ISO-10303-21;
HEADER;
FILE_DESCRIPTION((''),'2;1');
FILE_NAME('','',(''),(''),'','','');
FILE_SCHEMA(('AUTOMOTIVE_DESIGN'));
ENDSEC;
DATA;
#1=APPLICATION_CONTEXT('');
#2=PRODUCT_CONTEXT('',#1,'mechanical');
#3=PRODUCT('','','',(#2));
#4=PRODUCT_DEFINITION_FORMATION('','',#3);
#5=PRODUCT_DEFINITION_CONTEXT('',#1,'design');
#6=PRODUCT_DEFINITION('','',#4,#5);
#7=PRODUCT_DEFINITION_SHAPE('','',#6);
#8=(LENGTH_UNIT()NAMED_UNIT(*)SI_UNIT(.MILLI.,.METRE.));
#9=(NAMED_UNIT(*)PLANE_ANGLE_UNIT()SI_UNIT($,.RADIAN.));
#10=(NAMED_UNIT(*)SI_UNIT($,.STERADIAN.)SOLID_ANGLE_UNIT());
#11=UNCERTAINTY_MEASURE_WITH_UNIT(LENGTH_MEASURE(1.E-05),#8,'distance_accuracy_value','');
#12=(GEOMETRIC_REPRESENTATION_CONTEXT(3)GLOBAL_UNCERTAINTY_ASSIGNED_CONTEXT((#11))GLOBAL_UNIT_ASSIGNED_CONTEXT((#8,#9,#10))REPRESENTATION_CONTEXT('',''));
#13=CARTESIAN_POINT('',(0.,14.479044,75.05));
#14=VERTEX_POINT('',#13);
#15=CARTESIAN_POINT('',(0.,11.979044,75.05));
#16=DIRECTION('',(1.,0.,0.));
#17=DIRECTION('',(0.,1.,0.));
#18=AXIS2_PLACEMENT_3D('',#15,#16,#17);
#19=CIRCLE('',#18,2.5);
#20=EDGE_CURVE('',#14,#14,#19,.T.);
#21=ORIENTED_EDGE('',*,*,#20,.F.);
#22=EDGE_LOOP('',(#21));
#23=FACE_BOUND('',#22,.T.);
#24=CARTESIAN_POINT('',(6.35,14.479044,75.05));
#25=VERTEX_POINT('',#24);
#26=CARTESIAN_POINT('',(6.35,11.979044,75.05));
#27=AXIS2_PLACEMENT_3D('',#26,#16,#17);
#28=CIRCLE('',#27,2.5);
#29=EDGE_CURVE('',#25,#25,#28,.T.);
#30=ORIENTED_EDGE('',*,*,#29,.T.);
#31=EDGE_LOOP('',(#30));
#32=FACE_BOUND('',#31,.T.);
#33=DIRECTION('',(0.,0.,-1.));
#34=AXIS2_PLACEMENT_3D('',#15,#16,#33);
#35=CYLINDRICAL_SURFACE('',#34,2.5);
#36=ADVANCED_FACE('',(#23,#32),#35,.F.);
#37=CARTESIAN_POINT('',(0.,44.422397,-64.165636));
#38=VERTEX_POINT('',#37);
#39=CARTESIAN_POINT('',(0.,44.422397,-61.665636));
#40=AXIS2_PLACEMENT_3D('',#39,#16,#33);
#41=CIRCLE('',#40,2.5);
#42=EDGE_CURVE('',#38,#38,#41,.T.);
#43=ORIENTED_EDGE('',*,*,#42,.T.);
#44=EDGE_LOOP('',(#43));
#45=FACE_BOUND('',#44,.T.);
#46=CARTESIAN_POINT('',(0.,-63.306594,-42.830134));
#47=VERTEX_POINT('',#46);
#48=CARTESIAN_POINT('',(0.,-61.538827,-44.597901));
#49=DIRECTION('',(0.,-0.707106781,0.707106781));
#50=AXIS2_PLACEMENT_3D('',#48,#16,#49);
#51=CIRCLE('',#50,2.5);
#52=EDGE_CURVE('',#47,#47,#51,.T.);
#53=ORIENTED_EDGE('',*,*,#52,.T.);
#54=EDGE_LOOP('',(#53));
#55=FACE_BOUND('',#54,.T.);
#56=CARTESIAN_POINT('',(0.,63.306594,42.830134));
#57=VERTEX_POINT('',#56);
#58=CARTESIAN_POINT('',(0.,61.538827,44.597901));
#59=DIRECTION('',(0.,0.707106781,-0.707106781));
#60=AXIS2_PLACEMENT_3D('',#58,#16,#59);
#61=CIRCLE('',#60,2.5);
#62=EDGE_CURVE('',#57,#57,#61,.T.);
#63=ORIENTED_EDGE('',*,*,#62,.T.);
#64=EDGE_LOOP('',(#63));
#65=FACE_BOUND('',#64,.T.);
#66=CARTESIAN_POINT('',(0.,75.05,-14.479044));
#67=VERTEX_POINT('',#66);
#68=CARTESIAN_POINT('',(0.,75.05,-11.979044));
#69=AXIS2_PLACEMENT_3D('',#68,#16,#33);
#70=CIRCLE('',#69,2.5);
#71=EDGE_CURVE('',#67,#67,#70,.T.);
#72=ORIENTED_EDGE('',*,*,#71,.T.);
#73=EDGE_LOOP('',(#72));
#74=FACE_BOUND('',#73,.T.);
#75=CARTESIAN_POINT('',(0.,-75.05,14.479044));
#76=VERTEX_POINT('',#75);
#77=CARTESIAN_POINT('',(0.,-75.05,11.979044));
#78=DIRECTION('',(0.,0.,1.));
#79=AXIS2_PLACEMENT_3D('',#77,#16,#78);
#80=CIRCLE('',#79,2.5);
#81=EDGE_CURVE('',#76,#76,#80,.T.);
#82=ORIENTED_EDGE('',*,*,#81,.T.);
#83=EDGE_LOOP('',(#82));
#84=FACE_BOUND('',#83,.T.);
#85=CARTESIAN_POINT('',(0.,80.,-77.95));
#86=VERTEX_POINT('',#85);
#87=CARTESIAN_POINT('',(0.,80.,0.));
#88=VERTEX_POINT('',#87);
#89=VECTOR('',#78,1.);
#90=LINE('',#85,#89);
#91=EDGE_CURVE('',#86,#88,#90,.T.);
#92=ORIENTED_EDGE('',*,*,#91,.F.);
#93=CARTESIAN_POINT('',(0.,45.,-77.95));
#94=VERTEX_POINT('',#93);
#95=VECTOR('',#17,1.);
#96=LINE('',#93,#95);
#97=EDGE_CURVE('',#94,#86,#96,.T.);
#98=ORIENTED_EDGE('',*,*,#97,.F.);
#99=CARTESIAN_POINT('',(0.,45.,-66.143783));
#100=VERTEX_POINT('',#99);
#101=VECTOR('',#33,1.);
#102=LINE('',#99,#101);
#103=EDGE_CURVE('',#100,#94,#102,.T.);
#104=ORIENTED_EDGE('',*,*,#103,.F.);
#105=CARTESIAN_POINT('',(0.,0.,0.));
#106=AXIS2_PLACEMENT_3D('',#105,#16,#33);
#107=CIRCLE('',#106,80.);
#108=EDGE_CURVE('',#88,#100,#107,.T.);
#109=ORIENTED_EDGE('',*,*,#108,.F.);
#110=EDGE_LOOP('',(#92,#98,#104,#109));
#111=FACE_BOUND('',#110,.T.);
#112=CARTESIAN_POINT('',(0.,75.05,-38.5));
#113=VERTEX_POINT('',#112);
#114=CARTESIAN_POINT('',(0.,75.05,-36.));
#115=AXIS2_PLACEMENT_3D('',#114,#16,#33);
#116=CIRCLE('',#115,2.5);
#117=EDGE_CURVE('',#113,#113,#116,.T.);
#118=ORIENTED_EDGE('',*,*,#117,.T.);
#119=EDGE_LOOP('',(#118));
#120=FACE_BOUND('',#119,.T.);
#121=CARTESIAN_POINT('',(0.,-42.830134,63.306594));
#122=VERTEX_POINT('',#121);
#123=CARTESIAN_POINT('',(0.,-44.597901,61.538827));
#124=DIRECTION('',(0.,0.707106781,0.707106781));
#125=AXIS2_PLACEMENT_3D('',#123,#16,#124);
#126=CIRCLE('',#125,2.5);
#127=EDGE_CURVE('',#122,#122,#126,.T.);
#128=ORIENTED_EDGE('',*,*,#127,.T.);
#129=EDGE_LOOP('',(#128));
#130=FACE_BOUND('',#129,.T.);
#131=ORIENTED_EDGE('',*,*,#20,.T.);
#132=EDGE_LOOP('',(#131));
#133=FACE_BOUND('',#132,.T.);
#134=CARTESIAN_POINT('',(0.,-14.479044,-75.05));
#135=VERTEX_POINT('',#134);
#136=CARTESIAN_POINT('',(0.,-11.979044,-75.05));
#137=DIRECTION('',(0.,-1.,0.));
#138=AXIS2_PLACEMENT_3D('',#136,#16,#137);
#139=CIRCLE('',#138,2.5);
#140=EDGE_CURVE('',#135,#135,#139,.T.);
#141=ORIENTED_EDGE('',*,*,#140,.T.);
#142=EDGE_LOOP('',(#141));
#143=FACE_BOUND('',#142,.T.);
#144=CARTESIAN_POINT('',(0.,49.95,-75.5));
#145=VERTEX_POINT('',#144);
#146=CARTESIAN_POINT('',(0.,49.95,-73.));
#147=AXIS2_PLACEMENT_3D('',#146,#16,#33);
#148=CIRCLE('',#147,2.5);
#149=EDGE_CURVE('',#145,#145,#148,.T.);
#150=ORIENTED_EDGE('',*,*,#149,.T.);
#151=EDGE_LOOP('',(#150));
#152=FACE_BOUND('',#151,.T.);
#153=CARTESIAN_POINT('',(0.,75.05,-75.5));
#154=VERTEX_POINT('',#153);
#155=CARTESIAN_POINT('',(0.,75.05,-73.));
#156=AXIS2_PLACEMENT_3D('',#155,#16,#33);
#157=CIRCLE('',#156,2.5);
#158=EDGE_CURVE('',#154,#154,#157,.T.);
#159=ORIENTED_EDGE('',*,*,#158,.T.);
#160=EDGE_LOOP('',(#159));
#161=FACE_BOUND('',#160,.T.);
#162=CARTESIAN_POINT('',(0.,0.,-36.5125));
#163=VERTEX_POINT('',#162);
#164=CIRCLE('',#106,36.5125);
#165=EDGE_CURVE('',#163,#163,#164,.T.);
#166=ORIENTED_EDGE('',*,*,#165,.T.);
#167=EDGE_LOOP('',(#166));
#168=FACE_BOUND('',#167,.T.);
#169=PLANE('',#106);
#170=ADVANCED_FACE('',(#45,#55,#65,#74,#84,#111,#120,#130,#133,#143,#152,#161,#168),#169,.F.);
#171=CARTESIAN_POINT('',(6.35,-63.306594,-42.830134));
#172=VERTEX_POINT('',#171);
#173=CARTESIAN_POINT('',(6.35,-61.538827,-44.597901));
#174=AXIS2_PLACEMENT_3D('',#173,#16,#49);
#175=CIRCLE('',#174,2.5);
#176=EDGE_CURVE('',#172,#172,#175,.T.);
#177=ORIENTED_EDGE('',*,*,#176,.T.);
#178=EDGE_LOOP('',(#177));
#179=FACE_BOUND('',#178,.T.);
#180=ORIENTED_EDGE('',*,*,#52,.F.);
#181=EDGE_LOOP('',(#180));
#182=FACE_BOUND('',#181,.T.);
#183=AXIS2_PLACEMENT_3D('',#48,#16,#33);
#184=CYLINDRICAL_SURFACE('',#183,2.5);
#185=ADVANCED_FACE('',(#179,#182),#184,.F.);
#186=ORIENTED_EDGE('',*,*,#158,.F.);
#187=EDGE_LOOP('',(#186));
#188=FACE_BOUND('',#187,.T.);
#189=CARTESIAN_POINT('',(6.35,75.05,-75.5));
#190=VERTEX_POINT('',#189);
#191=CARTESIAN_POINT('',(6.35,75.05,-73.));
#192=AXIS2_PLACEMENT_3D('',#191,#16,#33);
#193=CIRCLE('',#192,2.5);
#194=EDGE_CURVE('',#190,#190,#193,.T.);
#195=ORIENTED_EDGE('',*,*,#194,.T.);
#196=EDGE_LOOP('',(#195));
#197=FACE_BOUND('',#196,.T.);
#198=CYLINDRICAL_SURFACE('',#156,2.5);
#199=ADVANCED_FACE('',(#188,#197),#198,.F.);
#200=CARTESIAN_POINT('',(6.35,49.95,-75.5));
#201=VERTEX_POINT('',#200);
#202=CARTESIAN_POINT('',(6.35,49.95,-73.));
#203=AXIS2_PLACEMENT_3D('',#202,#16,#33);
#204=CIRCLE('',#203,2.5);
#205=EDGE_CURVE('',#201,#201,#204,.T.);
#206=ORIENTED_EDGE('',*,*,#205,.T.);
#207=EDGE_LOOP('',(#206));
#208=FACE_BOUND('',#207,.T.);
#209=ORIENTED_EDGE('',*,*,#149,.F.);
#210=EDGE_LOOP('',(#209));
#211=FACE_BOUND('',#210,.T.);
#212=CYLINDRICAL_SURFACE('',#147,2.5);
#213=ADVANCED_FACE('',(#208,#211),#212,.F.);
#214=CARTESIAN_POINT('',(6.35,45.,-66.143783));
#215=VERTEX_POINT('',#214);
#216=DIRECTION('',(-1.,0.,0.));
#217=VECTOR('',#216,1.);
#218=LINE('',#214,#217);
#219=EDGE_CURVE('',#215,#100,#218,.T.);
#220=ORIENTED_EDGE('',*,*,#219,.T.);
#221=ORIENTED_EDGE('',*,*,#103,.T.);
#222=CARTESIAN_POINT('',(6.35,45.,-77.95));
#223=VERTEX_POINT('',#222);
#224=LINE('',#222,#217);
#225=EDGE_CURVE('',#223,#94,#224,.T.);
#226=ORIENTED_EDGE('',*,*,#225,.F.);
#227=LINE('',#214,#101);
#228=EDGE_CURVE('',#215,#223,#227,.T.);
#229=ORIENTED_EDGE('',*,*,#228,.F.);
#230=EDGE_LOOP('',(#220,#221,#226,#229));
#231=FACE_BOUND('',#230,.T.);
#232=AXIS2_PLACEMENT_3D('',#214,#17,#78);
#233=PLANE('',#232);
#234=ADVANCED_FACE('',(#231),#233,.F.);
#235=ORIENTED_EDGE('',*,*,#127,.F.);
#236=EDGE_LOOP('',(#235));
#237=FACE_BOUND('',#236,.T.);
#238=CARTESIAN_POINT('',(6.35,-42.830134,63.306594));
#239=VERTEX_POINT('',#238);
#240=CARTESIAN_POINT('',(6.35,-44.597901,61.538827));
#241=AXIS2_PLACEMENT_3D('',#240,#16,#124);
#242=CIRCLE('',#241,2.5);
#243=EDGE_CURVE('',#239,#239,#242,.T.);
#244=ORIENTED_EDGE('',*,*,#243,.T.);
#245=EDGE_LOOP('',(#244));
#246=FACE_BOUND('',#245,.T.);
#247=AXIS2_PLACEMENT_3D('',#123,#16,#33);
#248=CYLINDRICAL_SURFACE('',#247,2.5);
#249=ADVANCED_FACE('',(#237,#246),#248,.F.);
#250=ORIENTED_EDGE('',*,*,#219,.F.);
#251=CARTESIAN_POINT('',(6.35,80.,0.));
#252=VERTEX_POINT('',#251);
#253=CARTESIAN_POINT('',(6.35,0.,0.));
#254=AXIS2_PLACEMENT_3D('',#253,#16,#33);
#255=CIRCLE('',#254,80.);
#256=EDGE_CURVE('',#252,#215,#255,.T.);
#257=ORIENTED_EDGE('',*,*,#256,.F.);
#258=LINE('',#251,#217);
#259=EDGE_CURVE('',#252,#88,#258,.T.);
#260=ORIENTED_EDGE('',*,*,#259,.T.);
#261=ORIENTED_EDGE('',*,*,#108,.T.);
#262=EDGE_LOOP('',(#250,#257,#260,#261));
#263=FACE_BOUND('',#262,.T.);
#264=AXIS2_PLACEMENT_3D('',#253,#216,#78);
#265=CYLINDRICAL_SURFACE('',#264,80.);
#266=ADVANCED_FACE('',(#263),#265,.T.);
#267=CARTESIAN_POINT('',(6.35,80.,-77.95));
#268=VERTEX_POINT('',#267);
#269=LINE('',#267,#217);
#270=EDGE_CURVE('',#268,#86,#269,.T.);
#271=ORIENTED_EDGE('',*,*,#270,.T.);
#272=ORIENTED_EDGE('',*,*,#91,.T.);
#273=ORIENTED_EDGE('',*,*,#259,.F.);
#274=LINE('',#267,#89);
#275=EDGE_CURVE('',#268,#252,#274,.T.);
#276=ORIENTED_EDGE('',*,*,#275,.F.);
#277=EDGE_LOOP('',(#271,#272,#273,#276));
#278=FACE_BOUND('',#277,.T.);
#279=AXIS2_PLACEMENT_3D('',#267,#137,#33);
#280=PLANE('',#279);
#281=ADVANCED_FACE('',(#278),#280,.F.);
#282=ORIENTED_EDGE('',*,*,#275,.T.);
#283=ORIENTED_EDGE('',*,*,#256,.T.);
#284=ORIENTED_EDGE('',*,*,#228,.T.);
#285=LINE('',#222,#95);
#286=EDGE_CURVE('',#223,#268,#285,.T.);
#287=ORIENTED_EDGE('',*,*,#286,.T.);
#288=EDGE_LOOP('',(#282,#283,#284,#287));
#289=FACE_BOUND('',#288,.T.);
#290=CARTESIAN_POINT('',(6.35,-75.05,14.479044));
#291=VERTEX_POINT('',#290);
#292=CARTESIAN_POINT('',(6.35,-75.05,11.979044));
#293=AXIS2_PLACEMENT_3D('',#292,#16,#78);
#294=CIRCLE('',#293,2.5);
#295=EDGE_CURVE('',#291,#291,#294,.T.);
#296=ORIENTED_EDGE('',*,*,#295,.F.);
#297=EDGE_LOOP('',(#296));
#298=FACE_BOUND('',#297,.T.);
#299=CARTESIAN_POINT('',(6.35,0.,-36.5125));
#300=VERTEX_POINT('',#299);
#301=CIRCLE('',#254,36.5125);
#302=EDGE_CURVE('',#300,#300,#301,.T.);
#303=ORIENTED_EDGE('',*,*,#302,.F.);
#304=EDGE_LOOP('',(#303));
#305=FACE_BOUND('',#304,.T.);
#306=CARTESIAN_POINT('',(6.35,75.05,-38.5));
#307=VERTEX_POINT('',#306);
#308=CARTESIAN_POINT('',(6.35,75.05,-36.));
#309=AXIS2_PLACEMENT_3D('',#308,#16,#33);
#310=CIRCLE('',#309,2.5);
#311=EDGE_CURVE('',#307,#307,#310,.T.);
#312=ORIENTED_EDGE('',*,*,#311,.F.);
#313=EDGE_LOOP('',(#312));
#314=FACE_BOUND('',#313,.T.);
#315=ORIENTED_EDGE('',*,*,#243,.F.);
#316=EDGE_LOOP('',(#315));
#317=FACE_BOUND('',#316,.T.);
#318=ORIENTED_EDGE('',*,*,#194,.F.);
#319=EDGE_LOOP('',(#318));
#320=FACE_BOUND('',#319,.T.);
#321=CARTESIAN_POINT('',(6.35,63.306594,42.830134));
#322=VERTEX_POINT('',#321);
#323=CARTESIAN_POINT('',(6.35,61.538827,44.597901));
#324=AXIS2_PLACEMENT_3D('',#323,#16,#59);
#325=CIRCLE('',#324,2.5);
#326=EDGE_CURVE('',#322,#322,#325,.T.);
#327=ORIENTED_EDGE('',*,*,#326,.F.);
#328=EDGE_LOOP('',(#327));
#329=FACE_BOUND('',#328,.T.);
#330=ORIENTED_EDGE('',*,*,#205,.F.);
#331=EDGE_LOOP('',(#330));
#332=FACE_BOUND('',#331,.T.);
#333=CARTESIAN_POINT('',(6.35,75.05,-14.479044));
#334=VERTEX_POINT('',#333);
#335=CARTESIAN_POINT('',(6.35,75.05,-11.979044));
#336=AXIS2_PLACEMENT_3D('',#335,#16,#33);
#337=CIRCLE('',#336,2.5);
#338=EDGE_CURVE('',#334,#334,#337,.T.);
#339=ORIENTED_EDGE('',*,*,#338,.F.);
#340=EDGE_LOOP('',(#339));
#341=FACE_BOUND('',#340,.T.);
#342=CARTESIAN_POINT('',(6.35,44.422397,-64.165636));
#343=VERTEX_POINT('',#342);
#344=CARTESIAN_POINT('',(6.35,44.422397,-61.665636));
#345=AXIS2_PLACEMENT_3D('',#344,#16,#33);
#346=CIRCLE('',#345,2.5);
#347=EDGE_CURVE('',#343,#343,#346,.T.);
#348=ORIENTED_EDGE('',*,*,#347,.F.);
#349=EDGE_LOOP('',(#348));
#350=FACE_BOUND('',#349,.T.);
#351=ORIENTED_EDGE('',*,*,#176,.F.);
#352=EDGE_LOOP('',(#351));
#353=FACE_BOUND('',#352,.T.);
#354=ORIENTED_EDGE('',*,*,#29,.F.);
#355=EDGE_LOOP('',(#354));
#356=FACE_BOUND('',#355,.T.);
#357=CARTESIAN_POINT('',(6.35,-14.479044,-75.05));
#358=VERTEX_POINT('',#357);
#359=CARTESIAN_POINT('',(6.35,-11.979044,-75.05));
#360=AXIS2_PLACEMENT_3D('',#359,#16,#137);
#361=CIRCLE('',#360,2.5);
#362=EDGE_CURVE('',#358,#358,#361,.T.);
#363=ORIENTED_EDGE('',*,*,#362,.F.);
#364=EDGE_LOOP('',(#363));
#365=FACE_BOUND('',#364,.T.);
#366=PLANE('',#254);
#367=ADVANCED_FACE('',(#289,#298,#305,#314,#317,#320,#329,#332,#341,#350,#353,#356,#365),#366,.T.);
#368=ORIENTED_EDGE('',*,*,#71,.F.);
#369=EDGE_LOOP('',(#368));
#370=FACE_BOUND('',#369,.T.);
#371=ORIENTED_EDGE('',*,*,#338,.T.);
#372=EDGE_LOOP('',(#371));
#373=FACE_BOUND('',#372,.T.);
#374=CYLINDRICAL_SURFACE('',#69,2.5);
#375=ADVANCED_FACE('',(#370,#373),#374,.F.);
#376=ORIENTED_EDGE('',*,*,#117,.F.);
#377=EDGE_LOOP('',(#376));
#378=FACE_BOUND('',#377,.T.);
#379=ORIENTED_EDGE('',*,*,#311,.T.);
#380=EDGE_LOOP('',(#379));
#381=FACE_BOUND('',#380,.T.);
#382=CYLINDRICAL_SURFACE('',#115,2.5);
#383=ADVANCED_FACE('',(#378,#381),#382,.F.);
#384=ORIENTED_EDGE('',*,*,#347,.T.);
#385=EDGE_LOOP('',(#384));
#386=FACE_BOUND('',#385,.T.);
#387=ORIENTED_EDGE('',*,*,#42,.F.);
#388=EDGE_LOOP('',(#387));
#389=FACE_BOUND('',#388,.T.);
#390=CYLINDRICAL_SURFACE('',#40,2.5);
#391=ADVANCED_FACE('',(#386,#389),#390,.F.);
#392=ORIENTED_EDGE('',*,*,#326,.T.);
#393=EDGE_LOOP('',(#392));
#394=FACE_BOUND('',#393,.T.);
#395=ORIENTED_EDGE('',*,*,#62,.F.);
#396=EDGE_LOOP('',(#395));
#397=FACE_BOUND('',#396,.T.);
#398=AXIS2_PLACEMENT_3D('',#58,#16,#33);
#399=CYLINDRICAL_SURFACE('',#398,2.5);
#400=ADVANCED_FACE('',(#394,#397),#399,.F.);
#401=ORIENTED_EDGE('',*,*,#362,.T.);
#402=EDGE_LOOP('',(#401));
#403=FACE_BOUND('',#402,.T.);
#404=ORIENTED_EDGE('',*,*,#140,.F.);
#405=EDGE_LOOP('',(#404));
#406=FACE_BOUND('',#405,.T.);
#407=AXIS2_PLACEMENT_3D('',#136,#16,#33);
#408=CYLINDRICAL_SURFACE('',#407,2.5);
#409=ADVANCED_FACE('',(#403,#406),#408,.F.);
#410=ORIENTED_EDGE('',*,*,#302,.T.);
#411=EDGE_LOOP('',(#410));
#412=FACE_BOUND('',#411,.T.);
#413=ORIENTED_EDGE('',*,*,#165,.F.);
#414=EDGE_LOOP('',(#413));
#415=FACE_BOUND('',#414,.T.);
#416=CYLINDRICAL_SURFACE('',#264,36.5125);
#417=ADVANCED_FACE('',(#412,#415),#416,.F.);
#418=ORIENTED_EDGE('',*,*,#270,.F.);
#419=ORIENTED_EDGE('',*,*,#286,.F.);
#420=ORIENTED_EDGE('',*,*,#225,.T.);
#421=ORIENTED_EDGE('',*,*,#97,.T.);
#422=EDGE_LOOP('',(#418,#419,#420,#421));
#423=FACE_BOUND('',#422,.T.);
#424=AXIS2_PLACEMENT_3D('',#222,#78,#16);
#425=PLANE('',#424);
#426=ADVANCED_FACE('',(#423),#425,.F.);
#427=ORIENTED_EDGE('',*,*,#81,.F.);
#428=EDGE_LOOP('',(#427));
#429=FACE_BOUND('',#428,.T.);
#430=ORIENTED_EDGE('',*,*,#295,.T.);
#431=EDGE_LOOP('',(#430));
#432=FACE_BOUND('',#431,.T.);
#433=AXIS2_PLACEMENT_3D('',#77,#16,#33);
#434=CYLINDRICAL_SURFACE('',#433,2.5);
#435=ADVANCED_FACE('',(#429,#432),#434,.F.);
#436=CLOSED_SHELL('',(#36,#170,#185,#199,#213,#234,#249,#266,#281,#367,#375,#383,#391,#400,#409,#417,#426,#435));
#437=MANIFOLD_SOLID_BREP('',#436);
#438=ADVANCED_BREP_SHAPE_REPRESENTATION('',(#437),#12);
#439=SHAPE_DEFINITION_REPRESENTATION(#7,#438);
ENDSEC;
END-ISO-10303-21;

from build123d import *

# Parameters (mm, degrees)
SKETCH1_R           = 36.5125
BOSS_EXTRUDE1_DEPTH = 6.35
SKETCH3_R           = 2.5
CUT_EXTRUDE1_DEPTH  = 114.315146825
CIRPATTERN1_COUNT   = 8
SKETCH4_R           = 2.5
CUT_EXTRUDE4_DEPTH  = 114.315146825


with BuildPart() as part:
    # Sketch1 → Boss-Extrude1 (new body)
    with BuildSketch(Plane(origin=(0, 0, 0), x_dir=(0, 0, -1), z_dir=(1, 0, 0))):
        with BuildLine():
            Line((77.95, 80), (0, 80))
            ThreePointArc((0, 80), (-37.416573868, -70.710678119), (66.143782777, 45))
            Line((66.143782777, 45), (77.95, 45))
            Line((77.95, 45), (77.95, 80))
        make_face()
        Circle(SKETCH1_R, mode=Mode.SUBTRACT)
    extrude(amount=BOSS_EXTRUDE1_DEPTH)

    # Sketch3 → Cut-Extrude1 (cut, through all)
    with BuildSketch(Plane(origin=(6.35, 0, 0), x_dir=(0, 0, -1), z_dir=(1, 0, 0))):
        with Locations((11.979044202, 75.05)):
            Circle(SKETCH3_R)
    cut_extrude1 = extrude(amount=-CUT_EXTRUDE1_DEPTH, mode=Mode.SUBTRACT)

    # CirPattern1: Cut-Extrude1 ×8 about axis, 1 skipped
    cirpattern1_axis = Axis((0, 0, 0), (1, 0, 0))
    add([cut_extrude1.rotate(cirpattern1_axis, i * 360 / CIRPATTERN1_COUNT) for i in range(1, CIRPATTERN1_COUNT) if i not in (7,)], mode=Mode.SUBTRACT)

    # Sketch4 → Cut-Extrude4 (cut, through all)
    with BuildSketch(Plane(origin=(6.35, 0, 0), x_dir=(0, 0, -1), z_dir=(1, 0, 0))):
        with Locations((36, 75.05)):
            Circle(SKETCH4_R)
        with Locations((73, 75.05)):
            Circle(SKETCH4_R)
        with Locations((73, 49.95)):
            Circle(SKETCH4_R)
        with Locations((61.665635624, 44.422397314)):
            Circle(SKETCH4_R)
    extrude(amount=-CUT_EXTRUDE4_DEPTH, mode=Mode.SUBTRACT)


solid = part.part
